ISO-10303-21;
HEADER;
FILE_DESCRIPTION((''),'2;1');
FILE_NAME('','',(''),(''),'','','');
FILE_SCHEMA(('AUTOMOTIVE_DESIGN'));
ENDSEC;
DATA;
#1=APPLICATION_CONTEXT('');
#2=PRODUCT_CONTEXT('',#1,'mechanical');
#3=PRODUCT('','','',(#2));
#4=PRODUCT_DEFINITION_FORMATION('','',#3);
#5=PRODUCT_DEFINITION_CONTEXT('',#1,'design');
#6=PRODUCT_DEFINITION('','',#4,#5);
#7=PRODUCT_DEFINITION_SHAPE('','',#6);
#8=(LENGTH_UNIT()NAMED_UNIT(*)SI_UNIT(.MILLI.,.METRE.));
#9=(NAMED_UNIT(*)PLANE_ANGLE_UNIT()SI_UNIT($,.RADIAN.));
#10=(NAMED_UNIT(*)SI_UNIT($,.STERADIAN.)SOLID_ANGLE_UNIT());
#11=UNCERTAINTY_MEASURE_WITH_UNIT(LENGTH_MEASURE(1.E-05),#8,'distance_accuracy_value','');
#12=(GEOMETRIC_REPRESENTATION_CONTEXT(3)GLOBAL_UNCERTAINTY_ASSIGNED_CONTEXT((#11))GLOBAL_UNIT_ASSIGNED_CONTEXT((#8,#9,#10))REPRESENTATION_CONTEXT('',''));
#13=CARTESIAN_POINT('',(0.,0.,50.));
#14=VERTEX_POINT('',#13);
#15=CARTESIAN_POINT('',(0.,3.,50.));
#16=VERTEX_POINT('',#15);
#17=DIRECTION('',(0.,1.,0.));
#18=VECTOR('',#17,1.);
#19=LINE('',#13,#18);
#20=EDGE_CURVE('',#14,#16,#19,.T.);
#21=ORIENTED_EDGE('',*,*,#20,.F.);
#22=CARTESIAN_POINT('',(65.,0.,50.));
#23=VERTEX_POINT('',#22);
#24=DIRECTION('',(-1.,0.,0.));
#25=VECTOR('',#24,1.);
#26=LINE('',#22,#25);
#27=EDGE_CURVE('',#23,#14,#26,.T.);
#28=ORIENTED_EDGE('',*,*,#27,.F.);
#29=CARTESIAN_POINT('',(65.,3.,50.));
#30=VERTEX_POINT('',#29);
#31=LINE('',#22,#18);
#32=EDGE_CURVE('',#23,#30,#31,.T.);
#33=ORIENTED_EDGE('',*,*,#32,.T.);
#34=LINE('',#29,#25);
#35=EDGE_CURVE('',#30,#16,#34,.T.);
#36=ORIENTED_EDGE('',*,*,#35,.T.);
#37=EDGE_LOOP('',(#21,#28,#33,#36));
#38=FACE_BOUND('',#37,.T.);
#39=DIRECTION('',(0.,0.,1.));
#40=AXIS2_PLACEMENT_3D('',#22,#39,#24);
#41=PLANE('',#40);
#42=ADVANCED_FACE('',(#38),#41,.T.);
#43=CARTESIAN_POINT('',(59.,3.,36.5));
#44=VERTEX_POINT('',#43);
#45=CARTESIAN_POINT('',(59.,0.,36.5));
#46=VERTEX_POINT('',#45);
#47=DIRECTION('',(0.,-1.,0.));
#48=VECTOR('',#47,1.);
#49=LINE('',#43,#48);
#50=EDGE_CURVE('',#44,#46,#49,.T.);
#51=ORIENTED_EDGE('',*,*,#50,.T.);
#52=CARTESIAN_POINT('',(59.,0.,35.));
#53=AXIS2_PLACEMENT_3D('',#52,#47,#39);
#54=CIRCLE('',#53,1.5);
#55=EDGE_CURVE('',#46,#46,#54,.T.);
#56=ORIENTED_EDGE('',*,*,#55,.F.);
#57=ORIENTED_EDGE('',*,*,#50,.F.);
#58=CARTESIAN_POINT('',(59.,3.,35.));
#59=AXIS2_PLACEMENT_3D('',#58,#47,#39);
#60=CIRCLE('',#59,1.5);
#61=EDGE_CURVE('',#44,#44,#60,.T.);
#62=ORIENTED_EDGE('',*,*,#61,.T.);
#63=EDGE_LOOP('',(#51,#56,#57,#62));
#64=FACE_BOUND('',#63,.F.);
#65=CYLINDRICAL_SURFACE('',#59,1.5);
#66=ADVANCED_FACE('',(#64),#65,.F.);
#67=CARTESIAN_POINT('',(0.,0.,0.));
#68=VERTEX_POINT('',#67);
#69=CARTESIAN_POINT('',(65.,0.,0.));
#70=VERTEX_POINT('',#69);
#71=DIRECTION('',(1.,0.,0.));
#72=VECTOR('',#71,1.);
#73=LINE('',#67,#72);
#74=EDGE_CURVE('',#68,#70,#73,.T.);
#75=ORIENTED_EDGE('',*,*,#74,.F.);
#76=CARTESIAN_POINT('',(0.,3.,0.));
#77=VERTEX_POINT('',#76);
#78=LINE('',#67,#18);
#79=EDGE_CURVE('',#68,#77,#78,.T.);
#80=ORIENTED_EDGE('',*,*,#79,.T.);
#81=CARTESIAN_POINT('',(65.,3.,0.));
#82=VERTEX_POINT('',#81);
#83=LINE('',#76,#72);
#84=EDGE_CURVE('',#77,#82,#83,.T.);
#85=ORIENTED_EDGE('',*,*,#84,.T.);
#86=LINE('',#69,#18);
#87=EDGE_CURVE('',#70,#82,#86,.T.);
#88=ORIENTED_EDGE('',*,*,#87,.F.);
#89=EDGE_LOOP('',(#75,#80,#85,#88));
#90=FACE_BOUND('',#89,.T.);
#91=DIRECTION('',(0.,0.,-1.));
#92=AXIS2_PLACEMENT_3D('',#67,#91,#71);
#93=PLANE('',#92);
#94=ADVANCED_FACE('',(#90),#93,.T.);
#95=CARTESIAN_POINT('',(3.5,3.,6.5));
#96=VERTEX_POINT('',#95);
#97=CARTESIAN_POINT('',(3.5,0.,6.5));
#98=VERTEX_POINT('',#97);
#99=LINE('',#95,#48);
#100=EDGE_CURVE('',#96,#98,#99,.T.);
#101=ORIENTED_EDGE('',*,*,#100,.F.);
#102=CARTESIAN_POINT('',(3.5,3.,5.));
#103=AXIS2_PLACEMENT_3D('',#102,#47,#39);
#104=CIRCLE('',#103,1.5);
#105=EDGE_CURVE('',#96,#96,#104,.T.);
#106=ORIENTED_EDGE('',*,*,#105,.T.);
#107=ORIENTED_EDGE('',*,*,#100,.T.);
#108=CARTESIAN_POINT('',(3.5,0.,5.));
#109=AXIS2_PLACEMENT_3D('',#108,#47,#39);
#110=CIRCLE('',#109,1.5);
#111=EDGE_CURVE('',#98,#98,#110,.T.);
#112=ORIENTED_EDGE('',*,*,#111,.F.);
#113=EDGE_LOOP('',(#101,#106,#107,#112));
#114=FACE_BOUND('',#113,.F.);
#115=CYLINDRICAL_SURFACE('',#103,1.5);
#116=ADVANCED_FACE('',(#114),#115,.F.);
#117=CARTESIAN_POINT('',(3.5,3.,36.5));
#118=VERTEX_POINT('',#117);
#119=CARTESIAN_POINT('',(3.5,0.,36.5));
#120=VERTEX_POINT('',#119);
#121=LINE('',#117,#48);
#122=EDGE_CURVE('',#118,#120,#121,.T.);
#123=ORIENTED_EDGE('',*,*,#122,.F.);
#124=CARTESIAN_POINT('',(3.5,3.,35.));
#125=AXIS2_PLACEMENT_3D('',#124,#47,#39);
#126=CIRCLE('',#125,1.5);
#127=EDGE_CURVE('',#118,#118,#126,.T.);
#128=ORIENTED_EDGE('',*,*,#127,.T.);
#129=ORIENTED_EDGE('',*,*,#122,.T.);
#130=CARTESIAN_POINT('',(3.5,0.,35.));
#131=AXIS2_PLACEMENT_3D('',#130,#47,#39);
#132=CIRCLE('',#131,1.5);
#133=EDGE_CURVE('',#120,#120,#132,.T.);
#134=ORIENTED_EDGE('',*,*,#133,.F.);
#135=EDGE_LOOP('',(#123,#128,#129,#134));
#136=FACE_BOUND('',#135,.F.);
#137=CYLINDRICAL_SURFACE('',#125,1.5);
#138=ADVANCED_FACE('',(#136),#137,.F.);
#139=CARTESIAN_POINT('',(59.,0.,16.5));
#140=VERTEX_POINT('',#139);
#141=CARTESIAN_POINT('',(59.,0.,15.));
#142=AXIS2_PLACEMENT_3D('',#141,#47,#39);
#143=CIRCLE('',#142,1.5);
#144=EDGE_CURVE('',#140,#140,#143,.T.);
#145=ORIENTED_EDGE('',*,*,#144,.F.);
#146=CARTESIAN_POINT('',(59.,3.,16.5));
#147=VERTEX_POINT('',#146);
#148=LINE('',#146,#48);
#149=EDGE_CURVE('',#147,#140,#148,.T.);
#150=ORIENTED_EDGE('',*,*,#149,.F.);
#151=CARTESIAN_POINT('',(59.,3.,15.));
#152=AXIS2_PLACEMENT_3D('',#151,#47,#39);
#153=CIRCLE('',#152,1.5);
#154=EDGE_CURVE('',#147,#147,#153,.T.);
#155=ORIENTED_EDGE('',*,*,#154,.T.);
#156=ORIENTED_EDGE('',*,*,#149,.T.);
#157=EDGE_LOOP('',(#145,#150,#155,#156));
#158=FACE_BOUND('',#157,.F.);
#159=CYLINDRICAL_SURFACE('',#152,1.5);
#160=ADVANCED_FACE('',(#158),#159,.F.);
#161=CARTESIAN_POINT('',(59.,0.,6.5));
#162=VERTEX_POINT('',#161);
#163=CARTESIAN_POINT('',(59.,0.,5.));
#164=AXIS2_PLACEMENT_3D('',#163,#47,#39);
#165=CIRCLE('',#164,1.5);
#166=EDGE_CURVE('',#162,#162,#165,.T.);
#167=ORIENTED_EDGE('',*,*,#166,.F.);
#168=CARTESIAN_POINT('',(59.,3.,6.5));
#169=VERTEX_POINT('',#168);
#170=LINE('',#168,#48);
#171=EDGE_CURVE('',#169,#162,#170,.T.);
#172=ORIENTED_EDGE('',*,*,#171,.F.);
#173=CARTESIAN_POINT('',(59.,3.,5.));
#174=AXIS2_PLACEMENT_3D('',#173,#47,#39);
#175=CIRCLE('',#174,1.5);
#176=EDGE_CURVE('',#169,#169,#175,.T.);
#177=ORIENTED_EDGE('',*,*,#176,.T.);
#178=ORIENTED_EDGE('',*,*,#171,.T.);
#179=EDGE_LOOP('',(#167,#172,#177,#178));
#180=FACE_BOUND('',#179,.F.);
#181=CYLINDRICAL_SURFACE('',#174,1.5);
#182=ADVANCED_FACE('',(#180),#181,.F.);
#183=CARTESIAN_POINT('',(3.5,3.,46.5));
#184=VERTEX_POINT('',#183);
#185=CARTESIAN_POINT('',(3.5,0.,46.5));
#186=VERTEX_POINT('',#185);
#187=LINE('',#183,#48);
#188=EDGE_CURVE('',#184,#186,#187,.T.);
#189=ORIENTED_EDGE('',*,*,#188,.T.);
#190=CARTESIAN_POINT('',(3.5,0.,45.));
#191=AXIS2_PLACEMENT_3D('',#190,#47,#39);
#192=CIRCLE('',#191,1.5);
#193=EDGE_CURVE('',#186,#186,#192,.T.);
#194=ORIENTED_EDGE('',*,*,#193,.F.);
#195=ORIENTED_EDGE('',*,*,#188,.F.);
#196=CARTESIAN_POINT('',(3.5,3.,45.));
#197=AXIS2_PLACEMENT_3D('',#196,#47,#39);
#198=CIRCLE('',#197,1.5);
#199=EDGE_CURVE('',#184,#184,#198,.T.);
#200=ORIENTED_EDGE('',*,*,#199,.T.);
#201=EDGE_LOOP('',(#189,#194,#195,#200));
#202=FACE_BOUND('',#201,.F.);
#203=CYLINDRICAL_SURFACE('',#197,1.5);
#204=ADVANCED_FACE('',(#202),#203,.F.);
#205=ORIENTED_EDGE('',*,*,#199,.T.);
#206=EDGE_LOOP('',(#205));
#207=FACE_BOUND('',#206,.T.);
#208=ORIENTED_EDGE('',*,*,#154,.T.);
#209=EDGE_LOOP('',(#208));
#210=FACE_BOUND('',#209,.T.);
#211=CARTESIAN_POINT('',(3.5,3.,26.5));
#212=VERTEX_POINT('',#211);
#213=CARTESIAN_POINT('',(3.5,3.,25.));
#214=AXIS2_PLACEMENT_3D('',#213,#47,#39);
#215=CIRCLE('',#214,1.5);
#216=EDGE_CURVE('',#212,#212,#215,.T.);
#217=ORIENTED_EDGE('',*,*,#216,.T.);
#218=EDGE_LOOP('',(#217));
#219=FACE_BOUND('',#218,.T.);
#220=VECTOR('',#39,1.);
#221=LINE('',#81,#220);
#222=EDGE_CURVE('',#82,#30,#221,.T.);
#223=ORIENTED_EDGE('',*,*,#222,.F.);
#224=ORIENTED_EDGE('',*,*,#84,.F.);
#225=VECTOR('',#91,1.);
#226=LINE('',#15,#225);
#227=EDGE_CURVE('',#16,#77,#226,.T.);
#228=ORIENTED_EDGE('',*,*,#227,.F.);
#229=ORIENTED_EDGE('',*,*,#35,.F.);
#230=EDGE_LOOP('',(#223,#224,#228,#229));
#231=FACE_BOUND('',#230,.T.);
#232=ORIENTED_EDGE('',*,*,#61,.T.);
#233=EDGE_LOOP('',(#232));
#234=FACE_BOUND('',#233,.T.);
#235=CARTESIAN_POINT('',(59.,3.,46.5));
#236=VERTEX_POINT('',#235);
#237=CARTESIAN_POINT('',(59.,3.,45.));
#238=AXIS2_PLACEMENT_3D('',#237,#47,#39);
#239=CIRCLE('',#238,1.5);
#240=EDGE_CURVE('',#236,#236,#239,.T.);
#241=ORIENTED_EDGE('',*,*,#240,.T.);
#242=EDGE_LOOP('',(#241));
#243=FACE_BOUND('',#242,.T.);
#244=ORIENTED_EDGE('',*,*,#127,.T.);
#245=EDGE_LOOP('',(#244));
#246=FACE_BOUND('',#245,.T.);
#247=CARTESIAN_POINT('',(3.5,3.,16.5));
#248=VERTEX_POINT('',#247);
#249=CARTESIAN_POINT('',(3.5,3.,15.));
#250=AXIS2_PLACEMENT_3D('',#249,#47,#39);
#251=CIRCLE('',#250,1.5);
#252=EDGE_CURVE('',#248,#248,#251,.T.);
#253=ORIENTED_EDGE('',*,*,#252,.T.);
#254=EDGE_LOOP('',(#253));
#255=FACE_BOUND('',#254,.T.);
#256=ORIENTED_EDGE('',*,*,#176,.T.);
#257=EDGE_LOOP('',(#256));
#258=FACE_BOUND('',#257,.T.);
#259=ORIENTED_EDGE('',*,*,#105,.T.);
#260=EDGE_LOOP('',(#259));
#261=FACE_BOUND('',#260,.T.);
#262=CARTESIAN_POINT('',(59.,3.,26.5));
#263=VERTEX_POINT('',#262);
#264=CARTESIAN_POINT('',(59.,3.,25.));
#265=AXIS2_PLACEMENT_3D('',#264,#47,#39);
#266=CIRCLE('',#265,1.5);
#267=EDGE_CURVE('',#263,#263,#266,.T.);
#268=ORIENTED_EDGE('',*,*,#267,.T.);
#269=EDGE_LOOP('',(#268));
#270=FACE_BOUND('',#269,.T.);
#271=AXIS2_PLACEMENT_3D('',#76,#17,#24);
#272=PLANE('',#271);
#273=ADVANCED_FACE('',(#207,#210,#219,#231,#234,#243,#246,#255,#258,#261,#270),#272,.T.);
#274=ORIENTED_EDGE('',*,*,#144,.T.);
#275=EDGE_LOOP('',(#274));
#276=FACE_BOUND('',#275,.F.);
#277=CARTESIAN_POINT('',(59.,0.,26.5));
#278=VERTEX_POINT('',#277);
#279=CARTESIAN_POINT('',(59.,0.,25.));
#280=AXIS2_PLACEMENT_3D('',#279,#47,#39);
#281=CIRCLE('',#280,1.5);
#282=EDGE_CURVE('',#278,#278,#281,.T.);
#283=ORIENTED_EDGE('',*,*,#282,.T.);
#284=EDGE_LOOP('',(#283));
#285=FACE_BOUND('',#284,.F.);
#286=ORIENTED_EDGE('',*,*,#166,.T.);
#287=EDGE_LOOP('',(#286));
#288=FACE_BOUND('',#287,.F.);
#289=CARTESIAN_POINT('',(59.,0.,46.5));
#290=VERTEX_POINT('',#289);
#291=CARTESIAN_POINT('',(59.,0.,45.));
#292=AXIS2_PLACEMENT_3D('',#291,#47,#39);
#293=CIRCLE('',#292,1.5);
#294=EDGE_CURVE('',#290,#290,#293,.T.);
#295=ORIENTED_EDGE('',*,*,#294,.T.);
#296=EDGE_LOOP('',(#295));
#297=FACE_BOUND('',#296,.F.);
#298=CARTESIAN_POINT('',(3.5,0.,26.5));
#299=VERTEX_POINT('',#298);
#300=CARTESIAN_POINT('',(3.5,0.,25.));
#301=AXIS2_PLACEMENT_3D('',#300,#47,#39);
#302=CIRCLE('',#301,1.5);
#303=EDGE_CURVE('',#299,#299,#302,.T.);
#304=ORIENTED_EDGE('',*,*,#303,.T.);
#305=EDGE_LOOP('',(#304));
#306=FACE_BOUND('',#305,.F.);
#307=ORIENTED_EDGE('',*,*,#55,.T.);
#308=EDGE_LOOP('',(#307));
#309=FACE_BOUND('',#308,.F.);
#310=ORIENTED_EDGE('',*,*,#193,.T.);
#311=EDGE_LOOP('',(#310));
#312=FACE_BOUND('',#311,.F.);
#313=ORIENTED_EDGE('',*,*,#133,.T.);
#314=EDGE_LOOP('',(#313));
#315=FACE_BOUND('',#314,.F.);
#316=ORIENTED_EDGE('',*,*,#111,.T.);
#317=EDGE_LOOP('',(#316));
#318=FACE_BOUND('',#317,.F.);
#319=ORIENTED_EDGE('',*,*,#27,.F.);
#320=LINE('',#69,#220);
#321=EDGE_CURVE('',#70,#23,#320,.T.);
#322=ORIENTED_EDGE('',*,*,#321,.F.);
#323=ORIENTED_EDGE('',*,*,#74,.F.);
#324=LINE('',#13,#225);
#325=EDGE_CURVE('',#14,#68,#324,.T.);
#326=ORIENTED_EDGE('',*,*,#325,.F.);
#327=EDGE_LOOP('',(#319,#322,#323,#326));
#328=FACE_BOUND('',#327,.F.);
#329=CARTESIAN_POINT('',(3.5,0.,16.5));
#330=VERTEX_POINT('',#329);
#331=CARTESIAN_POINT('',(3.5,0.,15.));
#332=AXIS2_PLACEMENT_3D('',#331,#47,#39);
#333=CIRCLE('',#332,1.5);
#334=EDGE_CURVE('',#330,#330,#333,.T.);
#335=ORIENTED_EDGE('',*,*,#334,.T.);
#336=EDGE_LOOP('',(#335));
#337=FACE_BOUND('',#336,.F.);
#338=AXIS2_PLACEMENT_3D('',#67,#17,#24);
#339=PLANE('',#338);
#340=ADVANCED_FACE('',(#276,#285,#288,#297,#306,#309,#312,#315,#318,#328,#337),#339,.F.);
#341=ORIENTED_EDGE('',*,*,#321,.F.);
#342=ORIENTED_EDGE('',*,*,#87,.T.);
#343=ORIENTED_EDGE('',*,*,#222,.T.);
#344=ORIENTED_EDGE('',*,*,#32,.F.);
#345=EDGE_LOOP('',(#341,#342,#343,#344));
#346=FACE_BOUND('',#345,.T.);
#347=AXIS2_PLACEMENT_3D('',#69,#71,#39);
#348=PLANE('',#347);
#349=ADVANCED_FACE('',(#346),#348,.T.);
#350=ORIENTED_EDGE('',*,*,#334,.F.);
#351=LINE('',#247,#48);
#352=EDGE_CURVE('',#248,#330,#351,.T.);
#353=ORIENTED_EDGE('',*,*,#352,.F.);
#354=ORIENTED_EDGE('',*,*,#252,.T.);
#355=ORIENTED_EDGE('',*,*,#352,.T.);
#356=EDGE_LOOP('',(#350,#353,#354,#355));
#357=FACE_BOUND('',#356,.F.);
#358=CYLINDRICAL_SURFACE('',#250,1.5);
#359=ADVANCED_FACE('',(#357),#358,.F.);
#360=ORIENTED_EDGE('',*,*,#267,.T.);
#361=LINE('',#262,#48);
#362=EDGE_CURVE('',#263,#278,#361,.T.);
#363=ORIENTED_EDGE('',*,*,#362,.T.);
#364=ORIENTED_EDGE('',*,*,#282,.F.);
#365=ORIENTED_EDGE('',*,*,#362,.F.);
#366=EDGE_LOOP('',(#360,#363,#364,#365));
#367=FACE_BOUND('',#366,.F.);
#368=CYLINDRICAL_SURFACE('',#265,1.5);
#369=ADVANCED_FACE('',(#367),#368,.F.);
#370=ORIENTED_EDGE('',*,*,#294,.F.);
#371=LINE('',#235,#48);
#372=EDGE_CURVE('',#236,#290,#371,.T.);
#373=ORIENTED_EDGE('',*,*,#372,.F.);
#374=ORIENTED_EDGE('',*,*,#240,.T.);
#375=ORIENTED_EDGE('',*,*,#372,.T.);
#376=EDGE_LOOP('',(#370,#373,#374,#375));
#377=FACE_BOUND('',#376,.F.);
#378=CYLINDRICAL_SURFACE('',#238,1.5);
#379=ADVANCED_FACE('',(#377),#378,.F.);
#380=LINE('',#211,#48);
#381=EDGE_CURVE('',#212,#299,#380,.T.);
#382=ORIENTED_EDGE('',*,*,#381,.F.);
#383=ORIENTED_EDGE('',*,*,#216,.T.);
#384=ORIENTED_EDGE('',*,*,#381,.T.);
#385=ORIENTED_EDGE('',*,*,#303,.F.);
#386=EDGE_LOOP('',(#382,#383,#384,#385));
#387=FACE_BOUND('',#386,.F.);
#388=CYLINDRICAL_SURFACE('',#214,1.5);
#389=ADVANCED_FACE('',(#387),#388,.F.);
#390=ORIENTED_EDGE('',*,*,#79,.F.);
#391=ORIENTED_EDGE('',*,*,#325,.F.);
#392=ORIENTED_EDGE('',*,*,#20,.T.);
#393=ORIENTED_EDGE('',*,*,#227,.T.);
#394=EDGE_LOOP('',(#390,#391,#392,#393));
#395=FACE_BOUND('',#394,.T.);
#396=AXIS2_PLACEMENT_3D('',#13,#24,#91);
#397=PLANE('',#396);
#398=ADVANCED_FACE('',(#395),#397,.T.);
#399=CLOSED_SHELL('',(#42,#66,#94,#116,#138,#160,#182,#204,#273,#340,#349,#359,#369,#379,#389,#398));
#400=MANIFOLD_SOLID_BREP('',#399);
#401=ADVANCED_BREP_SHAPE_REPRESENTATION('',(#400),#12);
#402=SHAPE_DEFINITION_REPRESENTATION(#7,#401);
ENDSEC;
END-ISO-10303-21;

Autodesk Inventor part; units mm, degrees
ref_plane "YZ Plane" through (0, 0, 0) normal (1, 0, 0) x (0, 1, 0)
ref_plane "XZ Plane" through (0, 0, 0) normal (0, 1, 0) x (-1, 0, 0)
ref_plane "XY Plane" through (0, 0, 0) normal (0, 0, 1) x (1, 0, 0)
sketch "スケッチ1" plane through (0, 0, 0) normal (0, 1, 0) x (-1, 0, 0)
  line L0 (0, 0) -> (-65, 0)
  line L1 (-65, 0) -> (-65, 50)
  line L2 (-65, 50) -> (0, 50)
  line L3 (0, 50) -> (0, 0)
  dimension "d0" = 65
  dimension "d1" = 50
extrude "押し出し1" add sketch "スケッチ1" along normal blind 3
sketch "スケッチ2" plane through (0, 3, 0) normal (0, 1, 0) x (1, 0, 0)
  line L0 (65, 0) -> (0, 0) projected
  line L1 (0, 0) -> (0, -50) projected
  line L2 (0, -50) -> (65, -50) projected
  line L3 (65, -50) -> (65, 0) projected
  line L4 (59, 0) -> (59, -50)
  line L5 (3.5, 0) -> (3.5, -50)
  line L6 (0, -25) -> (65, -25)
  point P0 (59, -25)
  point P1 (59, -15)
  point P2 (59, -5)
  point P3 (59, -35)
  point P4 (59, -45)
  point P5 (3.5, -25)
  point P6 (3.5, -15)
  point P7 (3.5, -5)
  point P8 (3.5, -35)
  point P9 (3.5, -45)
  point P10 (3.5, -25)
  dimension "d4" = 6
  dimension "d5" = 55.5
  dimension "d6" = 10
  dimension "d7" = 10
hole "穴1" at (59, 3, 25) at (59, 3, 15) at (59, 3, 5) at (59, 3, 45) at (59, 3, 35) at (3.5, 3, 25) at (3.5, 3, 15) at (3.5, 3, 5) at (3.5, 3, 35) at (3.5, 3, 45) direction (0, -1, 0) diameter 3 depth 8 tip angle 118
properties part number "知能ロボコン敷板"
